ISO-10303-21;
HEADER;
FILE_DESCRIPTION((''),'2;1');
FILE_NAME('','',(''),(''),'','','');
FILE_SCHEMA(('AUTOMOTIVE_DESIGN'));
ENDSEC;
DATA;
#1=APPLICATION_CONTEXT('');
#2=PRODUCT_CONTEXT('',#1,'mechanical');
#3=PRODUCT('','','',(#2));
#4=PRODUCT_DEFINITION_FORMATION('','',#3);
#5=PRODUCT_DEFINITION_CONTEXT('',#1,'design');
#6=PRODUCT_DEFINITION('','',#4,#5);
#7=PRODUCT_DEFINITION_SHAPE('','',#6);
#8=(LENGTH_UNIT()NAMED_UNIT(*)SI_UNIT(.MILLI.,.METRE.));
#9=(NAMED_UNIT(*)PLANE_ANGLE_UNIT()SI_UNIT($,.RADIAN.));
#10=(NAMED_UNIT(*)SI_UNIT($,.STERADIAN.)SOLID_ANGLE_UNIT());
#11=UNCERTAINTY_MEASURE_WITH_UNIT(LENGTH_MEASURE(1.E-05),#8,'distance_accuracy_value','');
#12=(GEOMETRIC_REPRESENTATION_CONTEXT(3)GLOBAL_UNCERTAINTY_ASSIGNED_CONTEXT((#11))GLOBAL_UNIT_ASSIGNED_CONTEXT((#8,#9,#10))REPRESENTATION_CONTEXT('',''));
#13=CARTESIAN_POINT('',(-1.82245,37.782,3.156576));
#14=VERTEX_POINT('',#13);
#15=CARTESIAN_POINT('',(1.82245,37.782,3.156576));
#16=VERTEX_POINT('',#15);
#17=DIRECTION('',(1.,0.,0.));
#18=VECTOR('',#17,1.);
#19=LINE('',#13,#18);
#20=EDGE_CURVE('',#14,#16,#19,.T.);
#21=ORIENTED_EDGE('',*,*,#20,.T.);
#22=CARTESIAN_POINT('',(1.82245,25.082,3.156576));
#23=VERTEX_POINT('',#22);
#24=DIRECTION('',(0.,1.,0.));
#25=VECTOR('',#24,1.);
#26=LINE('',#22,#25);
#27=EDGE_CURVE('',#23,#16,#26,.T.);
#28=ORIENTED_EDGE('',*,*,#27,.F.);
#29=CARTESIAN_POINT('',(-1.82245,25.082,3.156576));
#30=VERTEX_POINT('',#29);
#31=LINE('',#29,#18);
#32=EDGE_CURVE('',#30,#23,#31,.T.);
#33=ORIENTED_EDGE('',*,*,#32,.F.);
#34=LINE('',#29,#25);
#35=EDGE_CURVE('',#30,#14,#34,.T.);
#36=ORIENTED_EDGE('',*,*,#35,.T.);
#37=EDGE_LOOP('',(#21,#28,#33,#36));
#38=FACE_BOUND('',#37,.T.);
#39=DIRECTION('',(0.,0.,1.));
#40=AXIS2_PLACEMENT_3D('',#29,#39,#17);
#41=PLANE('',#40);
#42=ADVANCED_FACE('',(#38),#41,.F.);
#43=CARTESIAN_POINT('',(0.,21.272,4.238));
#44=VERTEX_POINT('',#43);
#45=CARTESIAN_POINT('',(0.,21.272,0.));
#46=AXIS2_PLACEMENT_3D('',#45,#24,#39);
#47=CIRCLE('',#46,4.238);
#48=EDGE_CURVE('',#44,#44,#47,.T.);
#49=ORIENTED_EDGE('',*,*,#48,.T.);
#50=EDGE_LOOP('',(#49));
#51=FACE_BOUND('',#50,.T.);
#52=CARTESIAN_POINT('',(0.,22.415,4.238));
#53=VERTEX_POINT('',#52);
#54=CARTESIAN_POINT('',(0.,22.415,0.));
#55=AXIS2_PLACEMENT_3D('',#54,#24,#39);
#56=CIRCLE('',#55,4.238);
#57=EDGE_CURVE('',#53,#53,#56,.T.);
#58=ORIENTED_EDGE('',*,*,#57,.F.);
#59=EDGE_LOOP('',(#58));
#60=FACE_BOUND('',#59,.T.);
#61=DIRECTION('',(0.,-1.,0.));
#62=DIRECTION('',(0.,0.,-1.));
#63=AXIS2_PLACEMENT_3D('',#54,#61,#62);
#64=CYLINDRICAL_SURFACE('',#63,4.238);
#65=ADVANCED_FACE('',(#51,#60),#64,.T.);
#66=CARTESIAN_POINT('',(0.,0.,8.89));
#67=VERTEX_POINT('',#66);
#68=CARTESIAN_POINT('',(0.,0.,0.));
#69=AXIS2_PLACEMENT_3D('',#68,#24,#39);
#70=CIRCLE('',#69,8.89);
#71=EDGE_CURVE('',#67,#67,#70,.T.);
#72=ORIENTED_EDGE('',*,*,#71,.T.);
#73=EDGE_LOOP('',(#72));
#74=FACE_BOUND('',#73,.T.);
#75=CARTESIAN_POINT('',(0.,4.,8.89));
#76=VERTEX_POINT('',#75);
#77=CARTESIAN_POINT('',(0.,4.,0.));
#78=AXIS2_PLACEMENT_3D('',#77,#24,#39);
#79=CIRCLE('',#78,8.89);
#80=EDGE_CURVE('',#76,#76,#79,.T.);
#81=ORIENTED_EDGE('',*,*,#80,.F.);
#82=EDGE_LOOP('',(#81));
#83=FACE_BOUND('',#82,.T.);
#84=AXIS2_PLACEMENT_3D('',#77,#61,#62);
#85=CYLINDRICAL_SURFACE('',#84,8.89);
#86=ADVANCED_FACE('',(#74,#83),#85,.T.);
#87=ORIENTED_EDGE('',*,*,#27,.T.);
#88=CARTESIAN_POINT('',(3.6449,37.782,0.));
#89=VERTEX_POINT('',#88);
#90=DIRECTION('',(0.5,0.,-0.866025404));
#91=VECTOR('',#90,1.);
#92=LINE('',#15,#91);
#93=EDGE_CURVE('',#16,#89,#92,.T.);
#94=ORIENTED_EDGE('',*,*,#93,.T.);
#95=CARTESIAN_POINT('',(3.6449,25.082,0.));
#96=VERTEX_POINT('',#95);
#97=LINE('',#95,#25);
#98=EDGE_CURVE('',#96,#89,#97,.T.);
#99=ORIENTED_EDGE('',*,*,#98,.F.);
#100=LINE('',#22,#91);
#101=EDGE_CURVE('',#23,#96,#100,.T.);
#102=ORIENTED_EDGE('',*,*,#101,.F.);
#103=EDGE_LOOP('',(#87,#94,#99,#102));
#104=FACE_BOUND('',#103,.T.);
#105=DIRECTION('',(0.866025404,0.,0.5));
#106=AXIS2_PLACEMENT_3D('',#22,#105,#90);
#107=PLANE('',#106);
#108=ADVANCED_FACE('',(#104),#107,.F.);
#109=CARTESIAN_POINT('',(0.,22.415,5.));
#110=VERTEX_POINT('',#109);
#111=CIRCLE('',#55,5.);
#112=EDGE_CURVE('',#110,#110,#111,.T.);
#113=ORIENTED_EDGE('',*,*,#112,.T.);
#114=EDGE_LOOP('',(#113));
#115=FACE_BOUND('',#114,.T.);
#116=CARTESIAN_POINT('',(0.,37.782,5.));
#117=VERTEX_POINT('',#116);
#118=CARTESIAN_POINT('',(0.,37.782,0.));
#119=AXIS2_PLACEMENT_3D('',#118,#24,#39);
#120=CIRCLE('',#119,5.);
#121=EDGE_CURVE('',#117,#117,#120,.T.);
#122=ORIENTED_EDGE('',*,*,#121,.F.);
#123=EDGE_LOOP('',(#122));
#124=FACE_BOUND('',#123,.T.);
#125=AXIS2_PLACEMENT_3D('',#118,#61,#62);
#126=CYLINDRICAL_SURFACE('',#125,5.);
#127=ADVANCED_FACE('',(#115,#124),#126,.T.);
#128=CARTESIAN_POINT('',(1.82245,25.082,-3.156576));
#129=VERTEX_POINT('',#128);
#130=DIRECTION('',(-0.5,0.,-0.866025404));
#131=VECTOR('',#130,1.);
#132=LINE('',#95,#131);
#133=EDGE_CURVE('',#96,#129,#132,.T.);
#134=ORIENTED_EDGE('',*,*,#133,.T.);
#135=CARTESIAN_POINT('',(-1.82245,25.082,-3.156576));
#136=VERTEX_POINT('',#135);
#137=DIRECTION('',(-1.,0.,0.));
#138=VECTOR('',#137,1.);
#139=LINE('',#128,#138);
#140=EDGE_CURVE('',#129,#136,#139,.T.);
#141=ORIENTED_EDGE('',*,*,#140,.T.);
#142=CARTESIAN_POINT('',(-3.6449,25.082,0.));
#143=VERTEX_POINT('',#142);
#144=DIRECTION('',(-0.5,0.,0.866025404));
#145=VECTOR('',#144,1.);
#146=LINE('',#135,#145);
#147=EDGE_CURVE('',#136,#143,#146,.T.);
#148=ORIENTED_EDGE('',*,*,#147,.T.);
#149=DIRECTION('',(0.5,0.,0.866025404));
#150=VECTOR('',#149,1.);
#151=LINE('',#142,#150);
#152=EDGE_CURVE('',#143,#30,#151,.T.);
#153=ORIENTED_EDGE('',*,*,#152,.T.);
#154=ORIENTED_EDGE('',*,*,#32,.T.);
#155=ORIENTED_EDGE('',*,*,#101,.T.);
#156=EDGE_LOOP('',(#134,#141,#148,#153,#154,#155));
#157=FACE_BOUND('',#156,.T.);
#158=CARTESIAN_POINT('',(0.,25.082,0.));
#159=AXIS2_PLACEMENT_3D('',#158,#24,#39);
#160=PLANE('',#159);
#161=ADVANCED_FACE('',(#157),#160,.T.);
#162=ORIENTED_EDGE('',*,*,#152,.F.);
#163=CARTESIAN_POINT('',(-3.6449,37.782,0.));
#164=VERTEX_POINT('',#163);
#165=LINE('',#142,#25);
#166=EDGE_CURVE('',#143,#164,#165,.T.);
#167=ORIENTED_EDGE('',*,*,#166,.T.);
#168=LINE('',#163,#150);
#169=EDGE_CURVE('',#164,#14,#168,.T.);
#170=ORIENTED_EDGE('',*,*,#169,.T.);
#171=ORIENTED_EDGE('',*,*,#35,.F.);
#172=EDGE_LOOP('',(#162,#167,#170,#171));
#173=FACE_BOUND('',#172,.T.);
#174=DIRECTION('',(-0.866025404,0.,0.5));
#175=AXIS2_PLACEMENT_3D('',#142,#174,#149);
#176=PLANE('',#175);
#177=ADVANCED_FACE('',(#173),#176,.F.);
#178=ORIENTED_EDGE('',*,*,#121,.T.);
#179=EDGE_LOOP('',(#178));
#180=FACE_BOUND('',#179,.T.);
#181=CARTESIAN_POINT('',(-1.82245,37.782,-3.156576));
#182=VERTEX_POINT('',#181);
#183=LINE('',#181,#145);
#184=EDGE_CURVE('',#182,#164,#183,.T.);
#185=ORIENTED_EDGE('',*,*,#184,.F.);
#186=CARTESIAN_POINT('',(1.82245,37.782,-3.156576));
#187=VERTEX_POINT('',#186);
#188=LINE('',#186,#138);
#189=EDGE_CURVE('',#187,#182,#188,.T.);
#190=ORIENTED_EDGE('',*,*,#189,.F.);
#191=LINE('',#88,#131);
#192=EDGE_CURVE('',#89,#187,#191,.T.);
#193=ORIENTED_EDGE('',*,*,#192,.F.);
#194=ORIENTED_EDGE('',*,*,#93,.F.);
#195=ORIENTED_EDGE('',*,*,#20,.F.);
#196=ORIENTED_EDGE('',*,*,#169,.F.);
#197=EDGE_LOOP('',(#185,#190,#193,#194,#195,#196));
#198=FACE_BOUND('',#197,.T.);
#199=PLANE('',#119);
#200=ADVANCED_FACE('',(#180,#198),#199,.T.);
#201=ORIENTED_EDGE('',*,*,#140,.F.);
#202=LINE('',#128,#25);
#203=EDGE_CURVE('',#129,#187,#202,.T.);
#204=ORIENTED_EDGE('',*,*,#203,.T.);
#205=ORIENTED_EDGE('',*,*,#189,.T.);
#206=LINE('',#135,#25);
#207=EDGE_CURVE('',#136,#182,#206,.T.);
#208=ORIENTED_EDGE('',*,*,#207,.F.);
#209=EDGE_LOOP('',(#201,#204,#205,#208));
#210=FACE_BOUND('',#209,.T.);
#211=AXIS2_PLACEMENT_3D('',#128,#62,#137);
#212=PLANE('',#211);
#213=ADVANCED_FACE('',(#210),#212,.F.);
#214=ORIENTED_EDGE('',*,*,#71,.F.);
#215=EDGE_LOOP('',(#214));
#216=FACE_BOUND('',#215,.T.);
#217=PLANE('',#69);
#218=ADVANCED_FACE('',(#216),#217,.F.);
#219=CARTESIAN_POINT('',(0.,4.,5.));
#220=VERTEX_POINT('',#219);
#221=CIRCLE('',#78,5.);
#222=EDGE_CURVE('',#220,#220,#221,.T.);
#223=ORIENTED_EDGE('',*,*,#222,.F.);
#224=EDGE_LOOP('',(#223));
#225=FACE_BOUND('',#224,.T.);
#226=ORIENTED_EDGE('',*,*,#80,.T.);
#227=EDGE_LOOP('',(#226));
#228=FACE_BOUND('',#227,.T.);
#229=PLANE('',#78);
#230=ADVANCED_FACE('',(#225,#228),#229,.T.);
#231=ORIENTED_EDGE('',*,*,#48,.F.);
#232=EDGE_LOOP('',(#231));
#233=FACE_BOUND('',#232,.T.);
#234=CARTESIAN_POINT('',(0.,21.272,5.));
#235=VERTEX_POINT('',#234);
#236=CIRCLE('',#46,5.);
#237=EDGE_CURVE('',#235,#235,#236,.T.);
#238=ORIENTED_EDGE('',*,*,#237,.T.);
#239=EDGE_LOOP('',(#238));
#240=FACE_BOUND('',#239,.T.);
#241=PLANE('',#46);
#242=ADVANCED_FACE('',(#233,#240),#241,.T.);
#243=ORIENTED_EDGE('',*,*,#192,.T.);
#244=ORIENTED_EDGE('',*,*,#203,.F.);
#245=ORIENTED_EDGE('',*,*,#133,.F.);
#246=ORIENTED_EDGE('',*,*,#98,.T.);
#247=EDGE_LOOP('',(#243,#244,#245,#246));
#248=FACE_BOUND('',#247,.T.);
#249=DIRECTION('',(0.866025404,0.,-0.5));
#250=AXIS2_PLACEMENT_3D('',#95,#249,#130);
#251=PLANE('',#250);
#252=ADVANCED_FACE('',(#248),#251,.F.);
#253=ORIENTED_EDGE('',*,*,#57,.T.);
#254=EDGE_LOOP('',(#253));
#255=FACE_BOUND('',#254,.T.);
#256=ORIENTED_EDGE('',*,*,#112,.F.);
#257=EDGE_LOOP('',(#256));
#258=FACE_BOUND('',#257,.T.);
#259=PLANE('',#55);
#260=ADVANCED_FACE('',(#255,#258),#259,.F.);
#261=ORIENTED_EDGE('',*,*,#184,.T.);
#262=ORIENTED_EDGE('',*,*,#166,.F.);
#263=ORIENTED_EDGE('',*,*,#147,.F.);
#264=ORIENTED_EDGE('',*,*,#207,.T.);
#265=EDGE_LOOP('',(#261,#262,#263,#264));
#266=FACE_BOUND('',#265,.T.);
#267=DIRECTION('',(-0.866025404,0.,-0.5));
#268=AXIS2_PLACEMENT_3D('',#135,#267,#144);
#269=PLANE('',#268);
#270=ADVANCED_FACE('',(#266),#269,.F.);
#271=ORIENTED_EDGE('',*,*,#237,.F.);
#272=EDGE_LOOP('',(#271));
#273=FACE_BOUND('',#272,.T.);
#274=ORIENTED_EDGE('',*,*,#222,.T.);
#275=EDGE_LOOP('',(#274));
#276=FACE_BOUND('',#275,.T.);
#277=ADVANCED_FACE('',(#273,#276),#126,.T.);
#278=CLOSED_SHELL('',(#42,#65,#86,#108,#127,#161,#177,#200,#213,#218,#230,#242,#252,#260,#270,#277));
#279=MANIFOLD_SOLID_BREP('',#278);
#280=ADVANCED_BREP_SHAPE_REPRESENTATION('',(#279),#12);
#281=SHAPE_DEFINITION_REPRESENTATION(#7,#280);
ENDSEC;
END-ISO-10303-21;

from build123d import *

# Parameters (mm, degrees)
SKETCH1_R                                     = 8.89
TRAINGULAR_BASE_SIMPLIFIED_TO_CIRCLE_HE_DEPTH = 4
SKETCH2_R                                     = 5
DRIVE_SHAFT_DEPTH                             = 33.782
SKETCH4_R                                     = 5
SKETCH4_R_2                                   = 4.238
RETAINING_RING_SLOT_DEPTH                     = 1.143
HEX_SLOT_DEPTH                                = 12.7


with BuildPart() as part:
    # Sketch1 → Traingular base (simplified to circle here) (new body)
    with BuildSketch(Plane(origin=(0, 0, 0), x_dir=(1, 0, 0), z_dir=(0, 1, 0))):
        with Locations(Location((0, 0, 0), (0, 0, 270))):
            Circle(SKETCH1_R)
    extrude(amount=TRAINGULAR_BASE_SIMPLIFIED_TO_CIRCLE_HE_DEPTH)

    # Sketch2 → Drive shaft (add)
    with BuildSketch(Plane(origin=(0, 4, 0), x_dir=(1, 0, 0), z_dir=(0, 1, 0))):
        with Locations(Location((0, 0, 0), (0, 0, 270))):
            Circle(SKETCH2_R)
    extrude(amount=DRIVE_SHAFT_DEPTH)

    # Sketch4 → Retaining ring slot (cut)
    with BuildSketch(Plane(origin=(0, 21.272, 0), x_dir=(1, 0, 0), z_dir=(0, 1, 0))):
        with Locations(Location((0, 0, 0), (0, 0, 270))):
            Circle(SKETCH4_R)
        with Locations(Location((0, 0, 0), (0, 0, 270))):
            Circle(SKETCH4_R_2, mode=Mode.SUBTRACT)
    extrude(amount=RETAINING_RING_SLOT_DEPTH, mode=Mode.SUBTRACT)

    # Sketch5 → Hex slot (cut)
    with BuildSketch(Plane(origin=(0, 37.782, 0), x_dir=(1, 0, 0), z_dir=(0, 1, 0))):
        Polygon((3.6449, 0), (1.82245, 3.156575994), (-1.82245, 3.156575994), (-3.6449, 0), (-1.82245, -3.156575994), (1.82245, -3.156575994), align=None)
    extrude(amount=-HEX_SLOT_DEPTH, mode=Mode.SUBTRACT)


solid = part.part
